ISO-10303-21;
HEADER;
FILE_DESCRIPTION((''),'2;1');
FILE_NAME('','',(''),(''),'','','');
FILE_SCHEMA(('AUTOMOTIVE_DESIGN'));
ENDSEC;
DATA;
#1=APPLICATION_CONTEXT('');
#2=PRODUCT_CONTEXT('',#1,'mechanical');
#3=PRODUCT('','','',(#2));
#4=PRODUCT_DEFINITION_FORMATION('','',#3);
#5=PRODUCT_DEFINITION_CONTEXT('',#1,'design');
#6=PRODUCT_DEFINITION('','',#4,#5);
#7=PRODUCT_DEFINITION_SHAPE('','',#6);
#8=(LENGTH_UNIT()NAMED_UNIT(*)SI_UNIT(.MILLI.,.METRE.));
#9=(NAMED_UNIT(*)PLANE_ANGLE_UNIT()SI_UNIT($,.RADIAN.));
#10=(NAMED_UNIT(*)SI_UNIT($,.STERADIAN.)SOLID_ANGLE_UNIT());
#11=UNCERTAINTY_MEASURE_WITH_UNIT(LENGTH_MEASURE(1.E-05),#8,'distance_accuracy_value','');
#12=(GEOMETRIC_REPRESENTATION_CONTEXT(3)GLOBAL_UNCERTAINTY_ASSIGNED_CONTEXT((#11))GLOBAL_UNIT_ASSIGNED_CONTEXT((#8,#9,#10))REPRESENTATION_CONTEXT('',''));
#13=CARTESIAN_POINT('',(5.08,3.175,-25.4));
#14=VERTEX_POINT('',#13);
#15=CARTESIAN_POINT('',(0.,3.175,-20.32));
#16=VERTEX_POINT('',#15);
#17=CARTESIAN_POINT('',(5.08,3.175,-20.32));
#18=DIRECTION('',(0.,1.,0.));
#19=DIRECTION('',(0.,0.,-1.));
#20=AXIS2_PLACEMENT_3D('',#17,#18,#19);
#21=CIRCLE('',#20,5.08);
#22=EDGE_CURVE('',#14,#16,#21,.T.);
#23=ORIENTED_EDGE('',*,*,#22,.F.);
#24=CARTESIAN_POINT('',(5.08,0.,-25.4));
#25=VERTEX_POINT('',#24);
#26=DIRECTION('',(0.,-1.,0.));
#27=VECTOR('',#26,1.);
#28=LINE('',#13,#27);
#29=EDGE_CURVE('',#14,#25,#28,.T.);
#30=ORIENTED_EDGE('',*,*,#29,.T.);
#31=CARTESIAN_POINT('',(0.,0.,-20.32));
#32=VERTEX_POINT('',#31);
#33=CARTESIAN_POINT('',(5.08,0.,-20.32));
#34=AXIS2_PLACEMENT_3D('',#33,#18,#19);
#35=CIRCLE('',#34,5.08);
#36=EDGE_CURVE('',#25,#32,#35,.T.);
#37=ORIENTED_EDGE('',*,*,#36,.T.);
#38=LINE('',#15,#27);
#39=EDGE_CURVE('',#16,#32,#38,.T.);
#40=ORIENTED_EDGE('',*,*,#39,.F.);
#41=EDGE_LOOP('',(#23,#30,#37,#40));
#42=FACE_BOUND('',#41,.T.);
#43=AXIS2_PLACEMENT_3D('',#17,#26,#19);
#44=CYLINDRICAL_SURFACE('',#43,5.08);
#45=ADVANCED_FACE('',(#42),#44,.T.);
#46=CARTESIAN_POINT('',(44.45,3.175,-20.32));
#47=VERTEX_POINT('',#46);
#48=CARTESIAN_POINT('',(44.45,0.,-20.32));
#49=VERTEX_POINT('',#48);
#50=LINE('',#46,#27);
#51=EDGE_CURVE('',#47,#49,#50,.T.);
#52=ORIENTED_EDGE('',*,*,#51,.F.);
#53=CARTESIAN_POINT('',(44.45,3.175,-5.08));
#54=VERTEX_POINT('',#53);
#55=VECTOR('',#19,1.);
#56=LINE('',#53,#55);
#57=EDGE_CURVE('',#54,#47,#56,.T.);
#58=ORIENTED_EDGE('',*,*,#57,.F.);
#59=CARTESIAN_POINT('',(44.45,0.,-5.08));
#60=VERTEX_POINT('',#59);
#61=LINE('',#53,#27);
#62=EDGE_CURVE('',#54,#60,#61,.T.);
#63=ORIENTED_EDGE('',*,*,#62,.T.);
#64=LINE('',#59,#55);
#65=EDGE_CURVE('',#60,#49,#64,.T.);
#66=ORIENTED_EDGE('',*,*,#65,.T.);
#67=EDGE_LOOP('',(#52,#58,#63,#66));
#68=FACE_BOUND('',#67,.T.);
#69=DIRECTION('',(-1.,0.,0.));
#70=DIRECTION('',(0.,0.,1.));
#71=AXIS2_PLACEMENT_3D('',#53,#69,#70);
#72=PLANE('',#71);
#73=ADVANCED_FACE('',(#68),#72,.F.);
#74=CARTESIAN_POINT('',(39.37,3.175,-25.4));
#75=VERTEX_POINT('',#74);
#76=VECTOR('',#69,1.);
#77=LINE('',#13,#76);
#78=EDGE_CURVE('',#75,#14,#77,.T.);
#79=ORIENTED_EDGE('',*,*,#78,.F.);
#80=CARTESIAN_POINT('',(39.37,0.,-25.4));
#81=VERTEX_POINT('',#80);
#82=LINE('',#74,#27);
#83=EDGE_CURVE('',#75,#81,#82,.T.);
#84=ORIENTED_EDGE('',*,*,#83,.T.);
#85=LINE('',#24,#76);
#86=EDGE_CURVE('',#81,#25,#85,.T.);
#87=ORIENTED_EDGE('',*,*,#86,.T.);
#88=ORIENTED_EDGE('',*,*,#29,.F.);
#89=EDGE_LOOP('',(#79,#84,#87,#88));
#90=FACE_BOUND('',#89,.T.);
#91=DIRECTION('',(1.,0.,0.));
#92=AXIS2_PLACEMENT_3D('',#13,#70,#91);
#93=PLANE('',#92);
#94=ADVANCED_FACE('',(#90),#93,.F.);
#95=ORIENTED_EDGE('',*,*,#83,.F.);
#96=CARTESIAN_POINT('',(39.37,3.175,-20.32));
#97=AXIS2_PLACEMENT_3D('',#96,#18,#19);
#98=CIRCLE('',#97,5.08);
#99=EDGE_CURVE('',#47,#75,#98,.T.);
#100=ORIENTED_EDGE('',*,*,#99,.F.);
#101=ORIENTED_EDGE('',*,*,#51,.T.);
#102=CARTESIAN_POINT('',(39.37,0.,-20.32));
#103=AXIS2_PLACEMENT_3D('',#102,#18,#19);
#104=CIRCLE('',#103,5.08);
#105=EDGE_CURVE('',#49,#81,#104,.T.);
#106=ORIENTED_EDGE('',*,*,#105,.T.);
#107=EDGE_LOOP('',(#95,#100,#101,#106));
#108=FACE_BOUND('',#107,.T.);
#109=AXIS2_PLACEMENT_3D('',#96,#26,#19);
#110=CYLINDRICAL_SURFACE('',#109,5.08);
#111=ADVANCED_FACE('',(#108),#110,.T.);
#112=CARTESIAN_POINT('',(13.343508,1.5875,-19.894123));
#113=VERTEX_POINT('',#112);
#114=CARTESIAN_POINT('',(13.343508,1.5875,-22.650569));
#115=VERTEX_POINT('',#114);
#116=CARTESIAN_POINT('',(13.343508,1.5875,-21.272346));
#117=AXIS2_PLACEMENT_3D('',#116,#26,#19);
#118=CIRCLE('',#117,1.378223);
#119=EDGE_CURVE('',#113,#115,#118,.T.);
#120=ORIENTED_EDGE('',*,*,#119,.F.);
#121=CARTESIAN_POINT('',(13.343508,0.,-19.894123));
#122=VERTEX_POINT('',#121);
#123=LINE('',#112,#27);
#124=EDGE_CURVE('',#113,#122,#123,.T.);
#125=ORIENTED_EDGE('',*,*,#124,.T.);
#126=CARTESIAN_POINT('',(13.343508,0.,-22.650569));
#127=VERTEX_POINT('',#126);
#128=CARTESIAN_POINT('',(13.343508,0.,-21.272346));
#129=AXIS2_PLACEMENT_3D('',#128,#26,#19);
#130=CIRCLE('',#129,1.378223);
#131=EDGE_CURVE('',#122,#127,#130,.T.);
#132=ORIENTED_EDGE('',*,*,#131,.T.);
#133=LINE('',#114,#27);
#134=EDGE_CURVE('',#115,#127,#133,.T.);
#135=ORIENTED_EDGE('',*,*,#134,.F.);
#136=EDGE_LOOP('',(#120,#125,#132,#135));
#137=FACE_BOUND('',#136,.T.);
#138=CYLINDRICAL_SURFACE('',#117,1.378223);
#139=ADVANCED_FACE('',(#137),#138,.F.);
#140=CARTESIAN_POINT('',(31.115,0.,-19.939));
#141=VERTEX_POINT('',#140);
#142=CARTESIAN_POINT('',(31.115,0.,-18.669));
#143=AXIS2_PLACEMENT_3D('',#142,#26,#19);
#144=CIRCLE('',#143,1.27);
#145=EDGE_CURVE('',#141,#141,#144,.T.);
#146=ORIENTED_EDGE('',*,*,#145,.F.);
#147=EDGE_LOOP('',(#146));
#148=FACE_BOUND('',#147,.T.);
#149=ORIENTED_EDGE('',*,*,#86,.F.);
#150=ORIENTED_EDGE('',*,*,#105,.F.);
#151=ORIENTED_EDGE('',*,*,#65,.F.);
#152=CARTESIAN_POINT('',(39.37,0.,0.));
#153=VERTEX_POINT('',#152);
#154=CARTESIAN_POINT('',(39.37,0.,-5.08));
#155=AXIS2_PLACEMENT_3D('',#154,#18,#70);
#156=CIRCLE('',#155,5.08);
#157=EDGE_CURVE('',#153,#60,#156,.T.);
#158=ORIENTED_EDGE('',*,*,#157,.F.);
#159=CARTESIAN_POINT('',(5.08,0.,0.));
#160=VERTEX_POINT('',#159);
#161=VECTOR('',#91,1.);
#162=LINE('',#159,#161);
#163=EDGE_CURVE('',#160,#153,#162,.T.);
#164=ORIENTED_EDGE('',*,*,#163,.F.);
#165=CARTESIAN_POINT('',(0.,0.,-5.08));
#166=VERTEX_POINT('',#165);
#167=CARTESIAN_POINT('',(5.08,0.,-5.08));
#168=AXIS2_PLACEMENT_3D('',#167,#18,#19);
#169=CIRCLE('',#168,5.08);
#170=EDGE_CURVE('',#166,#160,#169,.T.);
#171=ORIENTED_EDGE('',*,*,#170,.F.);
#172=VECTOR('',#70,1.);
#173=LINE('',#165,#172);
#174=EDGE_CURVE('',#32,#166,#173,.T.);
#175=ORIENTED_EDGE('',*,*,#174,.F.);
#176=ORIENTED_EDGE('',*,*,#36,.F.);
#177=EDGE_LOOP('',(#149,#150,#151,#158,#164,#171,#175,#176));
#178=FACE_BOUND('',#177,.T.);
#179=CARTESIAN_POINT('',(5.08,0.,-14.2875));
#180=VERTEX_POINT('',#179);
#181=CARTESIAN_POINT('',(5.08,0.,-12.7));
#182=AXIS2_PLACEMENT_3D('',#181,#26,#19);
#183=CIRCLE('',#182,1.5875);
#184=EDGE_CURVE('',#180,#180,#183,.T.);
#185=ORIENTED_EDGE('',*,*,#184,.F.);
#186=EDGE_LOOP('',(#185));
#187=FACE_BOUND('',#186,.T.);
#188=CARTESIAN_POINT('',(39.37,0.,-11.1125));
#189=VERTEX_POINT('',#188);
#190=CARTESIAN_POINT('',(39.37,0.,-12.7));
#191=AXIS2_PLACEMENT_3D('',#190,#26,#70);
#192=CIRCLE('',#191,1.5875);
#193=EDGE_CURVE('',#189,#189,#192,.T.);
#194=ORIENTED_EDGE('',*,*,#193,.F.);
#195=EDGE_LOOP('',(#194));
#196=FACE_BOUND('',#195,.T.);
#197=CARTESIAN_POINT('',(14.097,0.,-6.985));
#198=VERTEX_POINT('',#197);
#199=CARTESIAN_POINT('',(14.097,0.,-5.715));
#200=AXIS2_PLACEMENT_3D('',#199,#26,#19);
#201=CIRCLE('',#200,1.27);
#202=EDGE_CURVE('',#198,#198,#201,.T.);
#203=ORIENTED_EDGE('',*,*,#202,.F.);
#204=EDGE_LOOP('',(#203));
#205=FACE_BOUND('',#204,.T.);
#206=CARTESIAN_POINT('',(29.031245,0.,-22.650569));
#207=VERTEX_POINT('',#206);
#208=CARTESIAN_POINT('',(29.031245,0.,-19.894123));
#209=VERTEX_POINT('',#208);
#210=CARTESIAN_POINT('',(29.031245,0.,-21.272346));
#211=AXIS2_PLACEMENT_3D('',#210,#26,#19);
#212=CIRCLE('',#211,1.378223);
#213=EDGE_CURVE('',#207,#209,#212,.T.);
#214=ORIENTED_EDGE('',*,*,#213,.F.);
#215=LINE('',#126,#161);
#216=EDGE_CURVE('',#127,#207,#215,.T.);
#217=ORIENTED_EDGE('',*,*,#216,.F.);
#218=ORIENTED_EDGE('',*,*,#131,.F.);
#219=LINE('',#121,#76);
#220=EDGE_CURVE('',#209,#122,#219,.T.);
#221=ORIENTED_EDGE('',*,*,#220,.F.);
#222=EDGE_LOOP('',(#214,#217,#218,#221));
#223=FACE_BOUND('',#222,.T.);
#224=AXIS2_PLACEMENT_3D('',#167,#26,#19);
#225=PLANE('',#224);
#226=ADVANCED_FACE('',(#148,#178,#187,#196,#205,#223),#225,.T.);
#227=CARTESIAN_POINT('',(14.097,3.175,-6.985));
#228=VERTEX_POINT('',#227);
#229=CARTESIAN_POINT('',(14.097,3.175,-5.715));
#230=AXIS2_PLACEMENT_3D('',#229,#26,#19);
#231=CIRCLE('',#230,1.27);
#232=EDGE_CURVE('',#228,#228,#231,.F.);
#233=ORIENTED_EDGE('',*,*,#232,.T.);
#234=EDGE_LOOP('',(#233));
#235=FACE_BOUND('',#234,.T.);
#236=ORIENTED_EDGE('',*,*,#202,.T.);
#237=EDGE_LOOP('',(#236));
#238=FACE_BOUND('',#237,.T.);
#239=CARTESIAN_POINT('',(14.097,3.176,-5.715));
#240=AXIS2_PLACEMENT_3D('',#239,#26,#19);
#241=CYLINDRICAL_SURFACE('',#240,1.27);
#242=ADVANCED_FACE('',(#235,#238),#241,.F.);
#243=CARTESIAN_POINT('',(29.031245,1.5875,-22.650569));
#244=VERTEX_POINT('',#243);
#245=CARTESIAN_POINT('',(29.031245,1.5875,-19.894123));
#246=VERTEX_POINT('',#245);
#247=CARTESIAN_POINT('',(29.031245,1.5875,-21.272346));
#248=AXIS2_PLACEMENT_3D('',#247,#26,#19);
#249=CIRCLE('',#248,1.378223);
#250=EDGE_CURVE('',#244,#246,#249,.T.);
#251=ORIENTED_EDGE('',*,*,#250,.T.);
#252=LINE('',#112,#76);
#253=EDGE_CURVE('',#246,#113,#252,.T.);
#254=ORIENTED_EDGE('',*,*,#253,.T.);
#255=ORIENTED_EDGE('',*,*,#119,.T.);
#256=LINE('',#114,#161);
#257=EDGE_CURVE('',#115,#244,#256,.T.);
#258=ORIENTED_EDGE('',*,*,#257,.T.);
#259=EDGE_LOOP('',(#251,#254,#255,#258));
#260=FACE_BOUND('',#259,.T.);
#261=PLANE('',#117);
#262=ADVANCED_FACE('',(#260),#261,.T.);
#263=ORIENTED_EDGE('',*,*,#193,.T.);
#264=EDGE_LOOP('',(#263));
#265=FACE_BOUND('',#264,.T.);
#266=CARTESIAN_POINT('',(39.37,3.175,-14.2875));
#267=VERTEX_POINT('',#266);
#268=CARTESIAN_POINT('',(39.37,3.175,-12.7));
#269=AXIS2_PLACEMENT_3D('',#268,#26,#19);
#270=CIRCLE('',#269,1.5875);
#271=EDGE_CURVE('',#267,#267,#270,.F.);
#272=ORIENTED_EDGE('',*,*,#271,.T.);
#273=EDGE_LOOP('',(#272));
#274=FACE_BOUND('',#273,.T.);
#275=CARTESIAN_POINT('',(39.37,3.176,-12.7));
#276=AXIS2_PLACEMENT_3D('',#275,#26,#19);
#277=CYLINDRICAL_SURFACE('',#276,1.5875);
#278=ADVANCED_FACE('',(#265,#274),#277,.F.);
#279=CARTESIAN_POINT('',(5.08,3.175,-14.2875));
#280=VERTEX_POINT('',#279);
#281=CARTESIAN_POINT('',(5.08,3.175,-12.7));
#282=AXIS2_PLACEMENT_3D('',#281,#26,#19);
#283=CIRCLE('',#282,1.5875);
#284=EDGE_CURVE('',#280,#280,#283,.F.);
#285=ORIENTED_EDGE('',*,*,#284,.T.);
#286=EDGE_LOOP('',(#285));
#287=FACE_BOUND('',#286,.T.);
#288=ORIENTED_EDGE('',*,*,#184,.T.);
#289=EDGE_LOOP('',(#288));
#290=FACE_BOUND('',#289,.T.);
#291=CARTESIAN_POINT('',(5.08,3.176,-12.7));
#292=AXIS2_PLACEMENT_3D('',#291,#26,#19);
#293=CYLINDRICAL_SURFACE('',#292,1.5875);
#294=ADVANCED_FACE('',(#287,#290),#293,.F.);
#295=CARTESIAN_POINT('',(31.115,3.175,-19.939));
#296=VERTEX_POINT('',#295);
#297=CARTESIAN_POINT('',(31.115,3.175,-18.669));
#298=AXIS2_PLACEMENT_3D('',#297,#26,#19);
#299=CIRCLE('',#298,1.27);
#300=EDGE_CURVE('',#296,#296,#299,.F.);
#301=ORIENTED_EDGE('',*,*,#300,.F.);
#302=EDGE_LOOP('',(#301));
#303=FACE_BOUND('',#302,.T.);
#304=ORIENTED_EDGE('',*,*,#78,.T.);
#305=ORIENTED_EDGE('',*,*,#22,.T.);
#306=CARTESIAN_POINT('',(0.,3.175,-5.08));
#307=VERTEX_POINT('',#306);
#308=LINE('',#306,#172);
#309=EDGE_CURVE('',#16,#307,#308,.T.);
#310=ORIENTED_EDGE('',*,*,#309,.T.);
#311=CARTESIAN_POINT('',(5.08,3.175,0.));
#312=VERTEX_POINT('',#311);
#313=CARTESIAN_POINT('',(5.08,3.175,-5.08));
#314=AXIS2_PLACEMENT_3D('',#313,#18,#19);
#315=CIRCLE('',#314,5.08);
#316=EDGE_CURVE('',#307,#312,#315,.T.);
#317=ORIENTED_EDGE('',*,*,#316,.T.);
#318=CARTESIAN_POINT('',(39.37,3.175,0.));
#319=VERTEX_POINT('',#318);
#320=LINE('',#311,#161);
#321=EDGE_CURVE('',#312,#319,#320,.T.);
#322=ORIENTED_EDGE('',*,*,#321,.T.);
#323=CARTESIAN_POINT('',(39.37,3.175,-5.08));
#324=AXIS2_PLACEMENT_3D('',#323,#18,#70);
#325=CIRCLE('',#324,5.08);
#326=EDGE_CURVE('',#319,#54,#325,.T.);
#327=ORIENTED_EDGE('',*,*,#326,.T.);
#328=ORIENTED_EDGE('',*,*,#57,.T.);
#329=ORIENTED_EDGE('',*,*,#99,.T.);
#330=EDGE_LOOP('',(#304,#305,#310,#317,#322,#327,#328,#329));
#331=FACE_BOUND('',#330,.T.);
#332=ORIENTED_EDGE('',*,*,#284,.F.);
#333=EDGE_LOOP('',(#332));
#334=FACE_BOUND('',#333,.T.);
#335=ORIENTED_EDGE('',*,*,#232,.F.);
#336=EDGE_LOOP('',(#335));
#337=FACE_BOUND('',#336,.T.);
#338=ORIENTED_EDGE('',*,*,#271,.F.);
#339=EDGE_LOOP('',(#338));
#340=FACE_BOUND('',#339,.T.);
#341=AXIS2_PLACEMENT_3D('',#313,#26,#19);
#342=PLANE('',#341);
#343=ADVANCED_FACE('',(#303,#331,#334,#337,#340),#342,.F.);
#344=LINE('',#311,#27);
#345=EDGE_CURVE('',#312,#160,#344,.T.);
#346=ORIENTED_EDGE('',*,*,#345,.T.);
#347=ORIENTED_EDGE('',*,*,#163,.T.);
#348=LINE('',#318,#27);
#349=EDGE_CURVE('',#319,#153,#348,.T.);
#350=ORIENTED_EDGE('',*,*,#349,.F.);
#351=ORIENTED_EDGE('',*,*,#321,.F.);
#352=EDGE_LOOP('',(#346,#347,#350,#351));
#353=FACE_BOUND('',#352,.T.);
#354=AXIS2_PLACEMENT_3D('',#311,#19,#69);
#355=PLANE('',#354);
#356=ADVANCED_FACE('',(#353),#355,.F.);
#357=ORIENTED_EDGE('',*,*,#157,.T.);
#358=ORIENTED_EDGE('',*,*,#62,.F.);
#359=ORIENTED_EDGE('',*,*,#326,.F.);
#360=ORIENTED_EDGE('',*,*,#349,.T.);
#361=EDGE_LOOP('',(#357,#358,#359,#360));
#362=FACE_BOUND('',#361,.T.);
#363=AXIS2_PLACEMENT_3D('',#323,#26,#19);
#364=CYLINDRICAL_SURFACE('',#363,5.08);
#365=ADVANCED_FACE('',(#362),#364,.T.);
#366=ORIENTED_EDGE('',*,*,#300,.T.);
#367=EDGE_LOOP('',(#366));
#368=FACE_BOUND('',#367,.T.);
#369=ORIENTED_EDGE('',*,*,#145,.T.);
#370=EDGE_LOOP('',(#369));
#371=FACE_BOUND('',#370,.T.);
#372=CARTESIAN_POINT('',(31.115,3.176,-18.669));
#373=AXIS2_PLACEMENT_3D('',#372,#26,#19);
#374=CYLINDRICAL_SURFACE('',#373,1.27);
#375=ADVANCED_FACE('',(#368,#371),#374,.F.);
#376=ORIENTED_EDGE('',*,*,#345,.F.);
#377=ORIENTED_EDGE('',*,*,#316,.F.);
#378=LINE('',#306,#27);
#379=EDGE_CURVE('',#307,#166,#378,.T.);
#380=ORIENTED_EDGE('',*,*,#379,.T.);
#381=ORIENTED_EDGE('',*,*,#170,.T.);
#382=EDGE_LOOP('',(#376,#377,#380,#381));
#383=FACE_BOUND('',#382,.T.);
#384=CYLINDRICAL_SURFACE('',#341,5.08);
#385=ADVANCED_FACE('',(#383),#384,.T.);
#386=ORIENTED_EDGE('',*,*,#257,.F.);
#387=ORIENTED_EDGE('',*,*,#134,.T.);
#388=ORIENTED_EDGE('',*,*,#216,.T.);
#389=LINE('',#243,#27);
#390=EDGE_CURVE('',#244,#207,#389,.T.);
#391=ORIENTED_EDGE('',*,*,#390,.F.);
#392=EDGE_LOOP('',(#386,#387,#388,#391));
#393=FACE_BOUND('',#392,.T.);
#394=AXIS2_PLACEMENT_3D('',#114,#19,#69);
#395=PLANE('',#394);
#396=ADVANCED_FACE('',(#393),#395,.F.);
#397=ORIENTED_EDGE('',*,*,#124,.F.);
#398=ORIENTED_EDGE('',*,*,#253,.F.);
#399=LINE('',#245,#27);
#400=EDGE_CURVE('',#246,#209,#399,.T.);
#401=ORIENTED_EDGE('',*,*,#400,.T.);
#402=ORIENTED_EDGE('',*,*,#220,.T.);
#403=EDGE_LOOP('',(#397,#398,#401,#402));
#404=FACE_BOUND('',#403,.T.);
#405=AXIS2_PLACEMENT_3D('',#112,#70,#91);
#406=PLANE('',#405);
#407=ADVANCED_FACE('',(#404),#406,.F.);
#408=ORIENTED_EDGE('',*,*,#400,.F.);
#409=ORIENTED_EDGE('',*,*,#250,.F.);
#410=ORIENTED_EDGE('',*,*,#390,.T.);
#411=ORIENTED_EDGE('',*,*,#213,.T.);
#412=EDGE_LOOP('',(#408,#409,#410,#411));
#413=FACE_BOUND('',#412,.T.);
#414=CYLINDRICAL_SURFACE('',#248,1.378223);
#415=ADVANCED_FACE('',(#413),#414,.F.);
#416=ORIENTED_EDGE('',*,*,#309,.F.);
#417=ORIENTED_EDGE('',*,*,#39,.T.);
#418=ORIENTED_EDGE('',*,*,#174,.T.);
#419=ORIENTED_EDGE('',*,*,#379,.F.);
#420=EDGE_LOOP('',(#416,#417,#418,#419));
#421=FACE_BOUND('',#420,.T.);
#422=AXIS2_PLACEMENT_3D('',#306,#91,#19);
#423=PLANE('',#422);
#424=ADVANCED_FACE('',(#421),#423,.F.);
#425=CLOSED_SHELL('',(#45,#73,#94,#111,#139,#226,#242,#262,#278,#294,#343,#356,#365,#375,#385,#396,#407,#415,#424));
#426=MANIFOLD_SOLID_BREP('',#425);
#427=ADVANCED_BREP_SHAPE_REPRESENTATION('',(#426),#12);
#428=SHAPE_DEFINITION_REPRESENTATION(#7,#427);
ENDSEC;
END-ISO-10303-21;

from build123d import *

# Parameters (mm, degrees)
BOSS_EXTRUDE1_DEPTH = 3.175
CUT_EXTRUDE1_REACH  = 5.175
SKETCH2_R           = 1.5875
CUT_EXTRUDE2_REACH  = 5.175
SKETCH3_R           = 1.27
CUT_EXTRUDE3_DEPTH  = 1.5875


with BuildPart() as part:
    # Sketch1 → Boss-Extrude1 (new body)
    with BuildSketch(Plane(origin=(0, 0, 0), x_dir=(1, 0, 0), z_dir=(0, 1, 0))):
        with BuildLine():
            Line((5.08, 0), (39.37, 0))
            ThreePointArc((39.37, 0), (42.962102448, 1.487897552), (44.45, 5.08))
            Line((44.45, 5.08), (44.45, 20.32))
            ThreePointArc((44.45, 20.32), (42.962102448, 23.912102448), (39.37, 25.4))
            Line((39.37, 25.4), (5.08, 25.4))
            ThreePointArc((5.08, 25.4), (1.487897552, 23.912102448), (0, 20.32))
            Line((0, 20.32), (0, 5.08))
            ThreePointArc((0, 5.08), (1.487897552, 1.487897552), (5.08, 0))
        make_face()
    extrude(amount=BOSS_EXTRUDE1_DEPTH)

    # Sketch2 → Cut-Extrude1 (cut, up to next)
    with BuildSketch(Plane.XZ, mode=Mode.PRIVATE) as cut_extrude1_sk1:
        with Locations((5.08, -12.7)):
            Circle(SKETCH2_R)
    cut_extrude1_tool1 = extrude(cut_extrude1_sk1.sketch, amount=-CUT_EXTRUDE1_REACH, mode=Mode.PRIVATE) & part.part
    add(cut_extrude1_tool1.solids().sort_by_distance((5.08, 0, -12.7))[0], mode=Mode.SUBTRACT)
    # Sketch2 → Cut-Extrude1 (cut, up to next)
    with BuildSketch(Plane.XZ, mode=Mode.PRIVATE) as cut_extrude1_sk2:
        with Locations((39.37, -12.7)):
            Circle(SKETCH2_R)
    cut_extrude1_tool2 = extrude(cut_extrude1_sk2.sketch, amount=-CUT_EXTRUDE1_REACH, mode=Mode.PRIVATE) & part.part
    add(cut_extrude1_tool2.solids().sort_by_distance((39.37, 0, -12.7))[0], mode=Mode.SUBTRACT)

    # Sketch3 → Cut-Extrude2 (cut, up to next)
    with BuildSketch(Plane.XZ, mode=Mode.PRIVATE) as cut_extrude2_sk1:
        with Locations((14.097, -5.715)):
            Circle(SKETCH3_R)
    cut_extrude2_tool1 = extrude(cut_extrude2_sk1.sketch, amount=-CUT_EXTRUDE2_REACH, mode=Mode.PRIVATE) & part.part
    add(cut_extrude2_tool1.solids().sort_by_distance((14.097, 0, -5.715))[0], mode=Mode.SUBTRACT)
    # Sketch3 → Cut-Extrude2 (cut, up to next)
    with BuildSketch(Plane.XZ, mode=Mode.PRIVATE) as cut_extrude2_sk2:
        with Locations((31.115, -18.669)):
            Circle(SKETCH3_R)
    cut_extrude2_tool2 = extrude(cut_extrude2_sk2.sketch, amount=-CUT_EXTRUDE2_REACH, mode=Mode.PRIVATE) & part.part
    add(cut_extrude2_tool2.solids().sort_by_distance((31.115, 0, -18.669))[0], mode=Mode.SUBTRACT)

    # Sketch4 → Cut-Extrude3 (cut)
    with BuildSketch(Plane.XZ):
        with BuildLine():
            Line((13.34350835, -19.894123354), (29.031244989, -19.894123354))
            ThreePointArc((29.031244989, -19.894123354), (30.409467748, -21.272346113), (29.031244989, -22.650568872))
            Line((29.031244989, -22.650568872), (13.34350835, -22.650568872))
            ThreePointArc((13.34350835, -22.650568872), (11.965285591, -21.272346113), (13.34350835, -19.894123354))
        make_face()
    extrude(amount=-CUT_EXTRUDE3_DEPTH, mode=Mode.SUBTRACT)


solid = part.part
